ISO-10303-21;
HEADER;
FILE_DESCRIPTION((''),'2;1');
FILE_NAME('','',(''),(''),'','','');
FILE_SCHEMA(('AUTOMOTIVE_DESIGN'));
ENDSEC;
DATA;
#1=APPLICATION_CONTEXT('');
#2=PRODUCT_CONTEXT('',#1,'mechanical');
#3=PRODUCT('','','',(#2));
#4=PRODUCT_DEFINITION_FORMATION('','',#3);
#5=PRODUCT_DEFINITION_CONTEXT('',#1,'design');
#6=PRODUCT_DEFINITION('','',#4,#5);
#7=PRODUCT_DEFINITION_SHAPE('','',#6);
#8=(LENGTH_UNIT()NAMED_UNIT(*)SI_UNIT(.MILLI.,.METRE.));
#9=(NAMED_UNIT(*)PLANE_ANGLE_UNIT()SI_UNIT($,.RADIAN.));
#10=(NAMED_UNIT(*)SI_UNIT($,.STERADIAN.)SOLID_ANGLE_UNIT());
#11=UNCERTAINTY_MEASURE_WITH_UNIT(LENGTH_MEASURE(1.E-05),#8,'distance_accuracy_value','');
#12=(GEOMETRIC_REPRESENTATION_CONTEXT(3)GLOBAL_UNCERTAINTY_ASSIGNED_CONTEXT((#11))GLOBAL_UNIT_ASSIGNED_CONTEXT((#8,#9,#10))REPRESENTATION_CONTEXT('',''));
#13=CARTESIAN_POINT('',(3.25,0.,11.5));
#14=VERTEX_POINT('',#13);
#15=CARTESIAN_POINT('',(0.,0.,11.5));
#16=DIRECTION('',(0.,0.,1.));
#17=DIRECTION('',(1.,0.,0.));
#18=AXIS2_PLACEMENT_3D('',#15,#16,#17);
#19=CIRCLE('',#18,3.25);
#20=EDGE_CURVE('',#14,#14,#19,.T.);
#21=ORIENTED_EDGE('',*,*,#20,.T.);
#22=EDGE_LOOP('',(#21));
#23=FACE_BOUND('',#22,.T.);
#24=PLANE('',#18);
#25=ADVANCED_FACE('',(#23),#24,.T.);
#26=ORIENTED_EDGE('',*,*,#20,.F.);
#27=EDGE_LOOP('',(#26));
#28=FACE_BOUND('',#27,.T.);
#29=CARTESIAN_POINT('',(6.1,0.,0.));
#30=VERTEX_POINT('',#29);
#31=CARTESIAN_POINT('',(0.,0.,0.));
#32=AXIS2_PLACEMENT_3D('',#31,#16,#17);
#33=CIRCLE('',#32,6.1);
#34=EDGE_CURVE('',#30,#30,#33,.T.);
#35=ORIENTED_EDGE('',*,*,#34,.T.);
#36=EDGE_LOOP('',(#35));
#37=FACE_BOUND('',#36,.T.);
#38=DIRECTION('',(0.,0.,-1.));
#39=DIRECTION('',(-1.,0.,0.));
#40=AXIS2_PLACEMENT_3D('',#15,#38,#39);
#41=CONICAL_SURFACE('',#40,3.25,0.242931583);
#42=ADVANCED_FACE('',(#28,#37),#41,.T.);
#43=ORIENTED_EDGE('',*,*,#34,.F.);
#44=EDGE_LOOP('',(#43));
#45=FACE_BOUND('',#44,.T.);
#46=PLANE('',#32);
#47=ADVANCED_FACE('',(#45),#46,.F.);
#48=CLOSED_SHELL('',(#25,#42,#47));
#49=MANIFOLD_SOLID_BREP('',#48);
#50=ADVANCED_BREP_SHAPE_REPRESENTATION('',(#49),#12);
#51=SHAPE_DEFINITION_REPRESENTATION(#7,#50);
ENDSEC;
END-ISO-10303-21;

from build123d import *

# Parameters (mm, degrees)
SKETCH3_R = 3.25
SKETCH2_R = 6.1


with BuildPart() as part:
    # Sketch3 → Loft1 section 0
    with BuildSketch(Plane.XY.offset(11.5)):
        Circle(SKETCH3_R)
    # Sketch2 → Loft1 section 1
    with BuildSketch(Plane.XY):
        Circle(SKETCH2_R)
    loft()


solid = part.part
